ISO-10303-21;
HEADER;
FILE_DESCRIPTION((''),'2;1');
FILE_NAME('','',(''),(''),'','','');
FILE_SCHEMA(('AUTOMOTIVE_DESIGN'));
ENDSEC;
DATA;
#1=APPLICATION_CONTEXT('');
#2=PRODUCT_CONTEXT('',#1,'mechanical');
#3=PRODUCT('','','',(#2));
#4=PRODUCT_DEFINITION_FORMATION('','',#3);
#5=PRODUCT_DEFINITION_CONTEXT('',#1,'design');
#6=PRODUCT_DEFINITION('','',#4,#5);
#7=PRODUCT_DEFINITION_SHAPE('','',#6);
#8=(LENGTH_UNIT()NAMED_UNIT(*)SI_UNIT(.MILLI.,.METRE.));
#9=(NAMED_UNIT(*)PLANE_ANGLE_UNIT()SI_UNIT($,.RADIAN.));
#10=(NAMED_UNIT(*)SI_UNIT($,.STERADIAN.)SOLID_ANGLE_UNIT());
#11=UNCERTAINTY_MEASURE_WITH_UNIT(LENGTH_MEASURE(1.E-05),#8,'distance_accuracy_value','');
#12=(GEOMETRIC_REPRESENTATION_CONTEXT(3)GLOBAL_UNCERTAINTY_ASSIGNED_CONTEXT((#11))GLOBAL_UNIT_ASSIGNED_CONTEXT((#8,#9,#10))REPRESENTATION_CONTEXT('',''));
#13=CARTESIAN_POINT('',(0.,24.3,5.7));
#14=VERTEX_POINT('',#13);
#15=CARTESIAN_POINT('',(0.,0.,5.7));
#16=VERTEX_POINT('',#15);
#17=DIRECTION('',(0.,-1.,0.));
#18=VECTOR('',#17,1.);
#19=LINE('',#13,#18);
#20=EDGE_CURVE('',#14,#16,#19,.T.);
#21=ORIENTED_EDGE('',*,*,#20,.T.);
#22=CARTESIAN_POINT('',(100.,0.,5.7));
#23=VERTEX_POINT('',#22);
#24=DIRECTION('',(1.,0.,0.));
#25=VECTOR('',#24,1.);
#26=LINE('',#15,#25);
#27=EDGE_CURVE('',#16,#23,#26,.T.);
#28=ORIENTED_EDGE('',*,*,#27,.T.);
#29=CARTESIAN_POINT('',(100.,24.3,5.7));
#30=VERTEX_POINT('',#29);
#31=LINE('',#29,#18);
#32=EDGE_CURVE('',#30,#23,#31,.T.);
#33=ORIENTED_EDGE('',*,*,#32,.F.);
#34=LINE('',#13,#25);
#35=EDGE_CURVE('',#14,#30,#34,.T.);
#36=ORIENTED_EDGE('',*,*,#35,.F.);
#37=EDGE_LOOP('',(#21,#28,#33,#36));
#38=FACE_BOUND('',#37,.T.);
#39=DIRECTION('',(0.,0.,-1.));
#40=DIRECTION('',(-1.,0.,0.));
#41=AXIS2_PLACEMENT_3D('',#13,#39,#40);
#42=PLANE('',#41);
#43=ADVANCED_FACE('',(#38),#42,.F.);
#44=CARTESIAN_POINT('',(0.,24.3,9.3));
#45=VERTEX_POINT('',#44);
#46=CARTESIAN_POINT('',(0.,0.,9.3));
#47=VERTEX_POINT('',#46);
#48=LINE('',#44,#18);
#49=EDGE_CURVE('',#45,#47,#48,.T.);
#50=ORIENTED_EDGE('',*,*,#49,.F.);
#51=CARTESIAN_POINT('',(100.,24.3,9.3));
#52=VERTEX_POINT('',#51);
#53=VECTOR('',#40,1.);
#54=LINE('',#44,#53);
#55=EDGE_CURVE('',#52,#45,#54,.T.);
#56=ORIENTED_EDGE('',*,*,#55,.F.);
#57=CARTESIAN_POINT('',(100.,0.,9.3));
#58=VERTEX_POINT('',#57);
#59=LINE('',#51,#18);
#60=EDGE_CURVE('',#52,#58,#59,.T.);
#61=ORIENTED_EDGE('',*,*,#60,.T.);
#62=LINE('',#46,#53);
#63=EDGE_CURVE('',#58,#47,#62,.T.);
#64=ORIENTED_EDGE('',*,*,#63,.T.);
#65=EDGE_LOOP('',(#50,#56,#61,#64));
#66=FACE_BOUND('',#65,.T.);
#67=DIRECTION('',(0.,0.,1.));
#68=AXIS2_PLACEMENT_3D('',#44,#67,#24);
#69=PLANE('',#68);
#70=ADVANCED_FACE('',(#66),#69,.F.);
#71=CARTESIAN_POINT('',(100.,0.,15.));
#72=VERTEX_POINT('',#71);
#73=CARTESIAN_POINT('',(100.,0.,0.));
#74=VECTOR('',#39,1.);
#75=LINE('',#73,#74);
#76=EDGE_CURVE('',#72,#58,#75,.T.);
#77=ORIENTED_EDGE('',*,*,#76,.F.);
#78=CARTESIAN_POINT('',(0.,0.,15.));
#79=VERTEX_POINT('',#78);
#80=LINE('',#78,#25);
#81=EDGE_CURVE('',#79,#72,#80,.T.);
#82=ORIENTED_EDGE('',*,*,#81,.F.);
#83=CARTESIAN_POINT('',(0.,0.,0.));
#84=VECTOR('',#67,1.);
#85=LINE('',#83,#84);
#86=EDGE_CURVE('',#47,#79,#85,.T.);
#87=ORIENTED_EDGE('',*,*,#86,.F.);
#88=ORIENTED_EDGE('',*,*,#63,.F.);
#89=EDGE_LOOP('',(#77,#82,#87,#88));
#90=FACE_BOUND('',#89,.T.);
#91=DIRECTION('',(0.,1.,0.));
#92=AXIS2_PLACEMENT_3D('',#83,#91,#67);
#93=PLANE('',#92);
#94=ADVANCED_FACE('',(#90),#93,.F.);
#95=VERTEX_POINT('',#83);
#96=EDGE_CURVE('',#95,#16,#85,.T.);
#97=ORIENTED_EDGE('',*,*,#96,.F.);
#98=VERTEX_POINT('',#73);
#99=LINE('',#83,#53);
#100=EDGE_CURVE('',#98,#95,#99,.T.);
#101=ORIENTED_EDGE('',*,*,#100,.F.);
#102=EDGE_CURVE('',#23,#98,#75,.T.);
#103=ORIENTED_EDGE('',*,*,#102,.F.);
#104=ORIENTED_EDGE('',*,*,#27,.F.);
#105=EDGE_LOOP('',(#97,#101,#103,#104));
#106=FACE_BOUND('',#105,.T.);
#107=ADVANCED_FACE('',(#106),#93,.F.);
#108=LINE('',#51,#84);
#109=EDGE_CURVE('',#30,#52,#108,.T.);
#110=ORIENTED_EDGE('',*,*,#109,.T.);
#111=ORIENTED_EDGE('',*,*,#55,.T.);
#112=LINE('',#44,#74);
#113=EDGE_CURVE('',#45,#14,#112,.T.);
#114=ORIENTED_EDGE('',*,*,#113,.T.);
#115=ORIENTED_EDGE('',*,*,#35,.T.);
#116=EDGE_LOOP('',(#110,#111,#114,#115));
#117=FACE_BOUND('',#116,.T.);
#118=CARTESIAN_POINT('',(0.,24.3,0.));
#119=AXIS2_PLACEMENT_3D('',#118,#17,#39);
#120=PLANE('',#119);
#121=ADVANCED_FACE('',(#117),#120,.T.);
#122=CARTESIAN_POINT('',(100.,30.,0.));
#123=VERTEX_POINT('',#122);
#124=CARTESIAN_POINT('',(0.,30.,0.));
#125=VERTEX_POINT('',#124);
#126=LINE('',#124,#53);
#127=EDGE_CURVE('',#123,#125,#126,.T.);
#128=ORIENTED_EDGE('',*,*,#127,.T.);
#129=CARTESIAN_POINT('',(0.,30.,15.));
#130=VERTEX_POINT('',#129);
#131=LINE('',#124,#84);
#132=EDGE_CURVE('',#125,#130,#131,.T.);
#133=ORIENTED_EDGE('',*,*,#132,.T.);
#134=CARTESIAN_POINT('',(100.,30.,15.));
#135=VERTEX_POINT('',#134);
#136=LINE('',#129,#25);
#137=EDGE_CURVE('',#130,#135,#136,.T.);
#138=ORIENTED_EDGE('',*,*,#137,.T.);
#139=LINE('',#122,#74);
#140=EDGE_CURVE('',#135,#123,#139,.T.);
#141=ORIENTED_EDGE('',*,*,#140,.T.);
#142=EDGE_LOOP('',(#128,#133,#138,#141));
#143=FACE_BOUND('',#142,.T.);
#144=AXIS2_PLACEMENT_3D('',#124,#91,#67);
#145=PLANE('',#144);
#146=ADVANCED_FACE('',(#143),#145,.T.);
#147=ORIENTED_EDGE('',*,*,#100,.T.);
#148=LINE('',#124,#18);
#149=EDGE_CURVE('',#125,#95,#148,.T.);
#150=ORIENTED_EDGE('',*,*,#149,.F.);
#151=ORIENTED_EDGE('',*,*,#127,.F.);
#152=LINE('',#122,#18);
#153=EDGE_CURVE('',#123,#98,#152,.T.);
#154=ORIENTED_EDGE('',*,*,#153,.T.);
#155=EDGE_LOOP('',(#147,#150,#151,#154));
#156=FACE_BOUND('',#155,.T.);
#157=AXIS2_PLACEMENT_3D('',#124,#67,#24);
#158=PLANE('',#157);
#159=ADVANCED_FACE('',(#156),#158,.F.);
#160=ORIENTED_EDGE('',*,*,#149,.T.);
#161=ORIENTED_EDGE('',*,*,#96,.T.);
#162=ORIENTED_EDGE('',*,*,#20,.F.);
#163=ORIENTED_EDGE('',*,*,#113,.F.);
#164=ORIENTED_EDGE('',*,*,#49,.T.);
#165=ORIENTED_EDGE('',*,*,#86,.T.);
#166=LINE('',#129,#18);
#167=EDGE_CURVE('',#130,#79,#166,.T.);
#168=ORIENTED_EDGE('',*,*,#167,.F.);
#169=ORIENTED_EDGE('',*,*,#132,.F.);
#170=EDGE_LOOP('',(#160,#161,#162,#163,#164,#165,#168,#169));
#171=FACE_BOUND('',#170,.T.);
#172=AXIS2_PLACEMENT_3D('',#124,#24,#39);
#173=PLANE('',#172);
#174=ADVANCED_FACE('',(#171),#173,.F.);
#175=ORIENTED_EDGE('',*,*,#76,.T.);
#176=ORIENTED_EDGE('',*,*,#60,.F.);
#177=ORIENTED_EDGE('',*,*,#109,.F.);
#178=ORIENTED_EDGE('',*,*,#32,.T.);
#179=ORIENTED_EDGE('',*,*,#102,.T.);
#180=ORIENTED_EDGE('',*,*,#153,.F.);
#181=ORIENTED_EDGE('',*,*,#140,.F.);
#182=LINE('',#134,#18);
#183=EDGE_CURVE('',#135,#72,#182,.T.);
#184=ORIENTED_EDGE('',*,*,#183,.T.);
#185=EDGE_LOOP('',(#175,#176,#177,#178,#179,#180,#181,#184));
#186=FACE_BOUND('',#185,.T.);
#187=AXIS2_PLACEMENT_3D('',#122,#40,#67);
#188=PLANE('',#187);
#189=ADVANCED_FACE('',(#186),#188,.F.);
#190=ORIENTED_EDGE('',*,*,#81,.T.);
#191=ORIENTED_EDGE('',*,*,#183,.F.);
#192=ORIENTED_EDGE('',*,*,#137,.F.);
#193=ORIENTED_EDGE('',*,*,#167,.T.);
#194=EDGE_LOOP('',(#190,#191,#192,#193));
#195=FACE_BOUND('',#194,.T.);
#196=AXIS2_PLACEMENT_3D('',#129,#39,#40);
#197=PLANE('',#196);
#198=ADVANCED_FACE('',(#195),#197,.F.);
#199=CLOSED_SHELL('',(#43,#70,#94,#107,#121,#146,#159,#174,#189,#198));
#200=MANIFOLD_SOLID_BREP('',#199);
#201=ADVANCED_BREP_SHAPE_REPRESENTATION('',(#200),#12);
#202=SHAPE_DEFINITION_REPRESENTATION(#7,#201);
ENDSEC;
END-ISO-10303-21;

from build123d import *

# Parameters (mm, degrees)
ESQUISSE1_W             = 100
ESQUISSE1_H             = 15
BOSS_EXTRU_1_DEPTH      = 30
ESQUISSE2_W             = 100
ESQUISSE2_H             = 3.6
ENL_V_MAT_EXTRU_1_DEPTH = 24.3


with BuildPart() as part:
    # Esquisse1 → Boss.-Extru.1 (new body)
    with BuildSketch(Plane(origin=(0, 0, 0), x_dir=(1, 0, 0), z_dir=(0, 1, 0))):
        with Locations((50, -7.5)):
            Rectangle(ESQUISSE1_W, ESQUISSE1_H)
    extrude(amount=BOSS_EXTRU_1_DEPTH)

    # Esquisse2 → Enlèv. mat.-Extru.1 (cut)
    with BuildSketch(Plane.XZ):
        with Locations((50, 7.5)):
            Rectangle(ESQUISSE2_W, ESQUISSE2_H)
    extrude(amount=-ENL_V_MAT_EXTRU_1_DEPTH, mode=Mode.SUBTRACT)


solid = part.part
